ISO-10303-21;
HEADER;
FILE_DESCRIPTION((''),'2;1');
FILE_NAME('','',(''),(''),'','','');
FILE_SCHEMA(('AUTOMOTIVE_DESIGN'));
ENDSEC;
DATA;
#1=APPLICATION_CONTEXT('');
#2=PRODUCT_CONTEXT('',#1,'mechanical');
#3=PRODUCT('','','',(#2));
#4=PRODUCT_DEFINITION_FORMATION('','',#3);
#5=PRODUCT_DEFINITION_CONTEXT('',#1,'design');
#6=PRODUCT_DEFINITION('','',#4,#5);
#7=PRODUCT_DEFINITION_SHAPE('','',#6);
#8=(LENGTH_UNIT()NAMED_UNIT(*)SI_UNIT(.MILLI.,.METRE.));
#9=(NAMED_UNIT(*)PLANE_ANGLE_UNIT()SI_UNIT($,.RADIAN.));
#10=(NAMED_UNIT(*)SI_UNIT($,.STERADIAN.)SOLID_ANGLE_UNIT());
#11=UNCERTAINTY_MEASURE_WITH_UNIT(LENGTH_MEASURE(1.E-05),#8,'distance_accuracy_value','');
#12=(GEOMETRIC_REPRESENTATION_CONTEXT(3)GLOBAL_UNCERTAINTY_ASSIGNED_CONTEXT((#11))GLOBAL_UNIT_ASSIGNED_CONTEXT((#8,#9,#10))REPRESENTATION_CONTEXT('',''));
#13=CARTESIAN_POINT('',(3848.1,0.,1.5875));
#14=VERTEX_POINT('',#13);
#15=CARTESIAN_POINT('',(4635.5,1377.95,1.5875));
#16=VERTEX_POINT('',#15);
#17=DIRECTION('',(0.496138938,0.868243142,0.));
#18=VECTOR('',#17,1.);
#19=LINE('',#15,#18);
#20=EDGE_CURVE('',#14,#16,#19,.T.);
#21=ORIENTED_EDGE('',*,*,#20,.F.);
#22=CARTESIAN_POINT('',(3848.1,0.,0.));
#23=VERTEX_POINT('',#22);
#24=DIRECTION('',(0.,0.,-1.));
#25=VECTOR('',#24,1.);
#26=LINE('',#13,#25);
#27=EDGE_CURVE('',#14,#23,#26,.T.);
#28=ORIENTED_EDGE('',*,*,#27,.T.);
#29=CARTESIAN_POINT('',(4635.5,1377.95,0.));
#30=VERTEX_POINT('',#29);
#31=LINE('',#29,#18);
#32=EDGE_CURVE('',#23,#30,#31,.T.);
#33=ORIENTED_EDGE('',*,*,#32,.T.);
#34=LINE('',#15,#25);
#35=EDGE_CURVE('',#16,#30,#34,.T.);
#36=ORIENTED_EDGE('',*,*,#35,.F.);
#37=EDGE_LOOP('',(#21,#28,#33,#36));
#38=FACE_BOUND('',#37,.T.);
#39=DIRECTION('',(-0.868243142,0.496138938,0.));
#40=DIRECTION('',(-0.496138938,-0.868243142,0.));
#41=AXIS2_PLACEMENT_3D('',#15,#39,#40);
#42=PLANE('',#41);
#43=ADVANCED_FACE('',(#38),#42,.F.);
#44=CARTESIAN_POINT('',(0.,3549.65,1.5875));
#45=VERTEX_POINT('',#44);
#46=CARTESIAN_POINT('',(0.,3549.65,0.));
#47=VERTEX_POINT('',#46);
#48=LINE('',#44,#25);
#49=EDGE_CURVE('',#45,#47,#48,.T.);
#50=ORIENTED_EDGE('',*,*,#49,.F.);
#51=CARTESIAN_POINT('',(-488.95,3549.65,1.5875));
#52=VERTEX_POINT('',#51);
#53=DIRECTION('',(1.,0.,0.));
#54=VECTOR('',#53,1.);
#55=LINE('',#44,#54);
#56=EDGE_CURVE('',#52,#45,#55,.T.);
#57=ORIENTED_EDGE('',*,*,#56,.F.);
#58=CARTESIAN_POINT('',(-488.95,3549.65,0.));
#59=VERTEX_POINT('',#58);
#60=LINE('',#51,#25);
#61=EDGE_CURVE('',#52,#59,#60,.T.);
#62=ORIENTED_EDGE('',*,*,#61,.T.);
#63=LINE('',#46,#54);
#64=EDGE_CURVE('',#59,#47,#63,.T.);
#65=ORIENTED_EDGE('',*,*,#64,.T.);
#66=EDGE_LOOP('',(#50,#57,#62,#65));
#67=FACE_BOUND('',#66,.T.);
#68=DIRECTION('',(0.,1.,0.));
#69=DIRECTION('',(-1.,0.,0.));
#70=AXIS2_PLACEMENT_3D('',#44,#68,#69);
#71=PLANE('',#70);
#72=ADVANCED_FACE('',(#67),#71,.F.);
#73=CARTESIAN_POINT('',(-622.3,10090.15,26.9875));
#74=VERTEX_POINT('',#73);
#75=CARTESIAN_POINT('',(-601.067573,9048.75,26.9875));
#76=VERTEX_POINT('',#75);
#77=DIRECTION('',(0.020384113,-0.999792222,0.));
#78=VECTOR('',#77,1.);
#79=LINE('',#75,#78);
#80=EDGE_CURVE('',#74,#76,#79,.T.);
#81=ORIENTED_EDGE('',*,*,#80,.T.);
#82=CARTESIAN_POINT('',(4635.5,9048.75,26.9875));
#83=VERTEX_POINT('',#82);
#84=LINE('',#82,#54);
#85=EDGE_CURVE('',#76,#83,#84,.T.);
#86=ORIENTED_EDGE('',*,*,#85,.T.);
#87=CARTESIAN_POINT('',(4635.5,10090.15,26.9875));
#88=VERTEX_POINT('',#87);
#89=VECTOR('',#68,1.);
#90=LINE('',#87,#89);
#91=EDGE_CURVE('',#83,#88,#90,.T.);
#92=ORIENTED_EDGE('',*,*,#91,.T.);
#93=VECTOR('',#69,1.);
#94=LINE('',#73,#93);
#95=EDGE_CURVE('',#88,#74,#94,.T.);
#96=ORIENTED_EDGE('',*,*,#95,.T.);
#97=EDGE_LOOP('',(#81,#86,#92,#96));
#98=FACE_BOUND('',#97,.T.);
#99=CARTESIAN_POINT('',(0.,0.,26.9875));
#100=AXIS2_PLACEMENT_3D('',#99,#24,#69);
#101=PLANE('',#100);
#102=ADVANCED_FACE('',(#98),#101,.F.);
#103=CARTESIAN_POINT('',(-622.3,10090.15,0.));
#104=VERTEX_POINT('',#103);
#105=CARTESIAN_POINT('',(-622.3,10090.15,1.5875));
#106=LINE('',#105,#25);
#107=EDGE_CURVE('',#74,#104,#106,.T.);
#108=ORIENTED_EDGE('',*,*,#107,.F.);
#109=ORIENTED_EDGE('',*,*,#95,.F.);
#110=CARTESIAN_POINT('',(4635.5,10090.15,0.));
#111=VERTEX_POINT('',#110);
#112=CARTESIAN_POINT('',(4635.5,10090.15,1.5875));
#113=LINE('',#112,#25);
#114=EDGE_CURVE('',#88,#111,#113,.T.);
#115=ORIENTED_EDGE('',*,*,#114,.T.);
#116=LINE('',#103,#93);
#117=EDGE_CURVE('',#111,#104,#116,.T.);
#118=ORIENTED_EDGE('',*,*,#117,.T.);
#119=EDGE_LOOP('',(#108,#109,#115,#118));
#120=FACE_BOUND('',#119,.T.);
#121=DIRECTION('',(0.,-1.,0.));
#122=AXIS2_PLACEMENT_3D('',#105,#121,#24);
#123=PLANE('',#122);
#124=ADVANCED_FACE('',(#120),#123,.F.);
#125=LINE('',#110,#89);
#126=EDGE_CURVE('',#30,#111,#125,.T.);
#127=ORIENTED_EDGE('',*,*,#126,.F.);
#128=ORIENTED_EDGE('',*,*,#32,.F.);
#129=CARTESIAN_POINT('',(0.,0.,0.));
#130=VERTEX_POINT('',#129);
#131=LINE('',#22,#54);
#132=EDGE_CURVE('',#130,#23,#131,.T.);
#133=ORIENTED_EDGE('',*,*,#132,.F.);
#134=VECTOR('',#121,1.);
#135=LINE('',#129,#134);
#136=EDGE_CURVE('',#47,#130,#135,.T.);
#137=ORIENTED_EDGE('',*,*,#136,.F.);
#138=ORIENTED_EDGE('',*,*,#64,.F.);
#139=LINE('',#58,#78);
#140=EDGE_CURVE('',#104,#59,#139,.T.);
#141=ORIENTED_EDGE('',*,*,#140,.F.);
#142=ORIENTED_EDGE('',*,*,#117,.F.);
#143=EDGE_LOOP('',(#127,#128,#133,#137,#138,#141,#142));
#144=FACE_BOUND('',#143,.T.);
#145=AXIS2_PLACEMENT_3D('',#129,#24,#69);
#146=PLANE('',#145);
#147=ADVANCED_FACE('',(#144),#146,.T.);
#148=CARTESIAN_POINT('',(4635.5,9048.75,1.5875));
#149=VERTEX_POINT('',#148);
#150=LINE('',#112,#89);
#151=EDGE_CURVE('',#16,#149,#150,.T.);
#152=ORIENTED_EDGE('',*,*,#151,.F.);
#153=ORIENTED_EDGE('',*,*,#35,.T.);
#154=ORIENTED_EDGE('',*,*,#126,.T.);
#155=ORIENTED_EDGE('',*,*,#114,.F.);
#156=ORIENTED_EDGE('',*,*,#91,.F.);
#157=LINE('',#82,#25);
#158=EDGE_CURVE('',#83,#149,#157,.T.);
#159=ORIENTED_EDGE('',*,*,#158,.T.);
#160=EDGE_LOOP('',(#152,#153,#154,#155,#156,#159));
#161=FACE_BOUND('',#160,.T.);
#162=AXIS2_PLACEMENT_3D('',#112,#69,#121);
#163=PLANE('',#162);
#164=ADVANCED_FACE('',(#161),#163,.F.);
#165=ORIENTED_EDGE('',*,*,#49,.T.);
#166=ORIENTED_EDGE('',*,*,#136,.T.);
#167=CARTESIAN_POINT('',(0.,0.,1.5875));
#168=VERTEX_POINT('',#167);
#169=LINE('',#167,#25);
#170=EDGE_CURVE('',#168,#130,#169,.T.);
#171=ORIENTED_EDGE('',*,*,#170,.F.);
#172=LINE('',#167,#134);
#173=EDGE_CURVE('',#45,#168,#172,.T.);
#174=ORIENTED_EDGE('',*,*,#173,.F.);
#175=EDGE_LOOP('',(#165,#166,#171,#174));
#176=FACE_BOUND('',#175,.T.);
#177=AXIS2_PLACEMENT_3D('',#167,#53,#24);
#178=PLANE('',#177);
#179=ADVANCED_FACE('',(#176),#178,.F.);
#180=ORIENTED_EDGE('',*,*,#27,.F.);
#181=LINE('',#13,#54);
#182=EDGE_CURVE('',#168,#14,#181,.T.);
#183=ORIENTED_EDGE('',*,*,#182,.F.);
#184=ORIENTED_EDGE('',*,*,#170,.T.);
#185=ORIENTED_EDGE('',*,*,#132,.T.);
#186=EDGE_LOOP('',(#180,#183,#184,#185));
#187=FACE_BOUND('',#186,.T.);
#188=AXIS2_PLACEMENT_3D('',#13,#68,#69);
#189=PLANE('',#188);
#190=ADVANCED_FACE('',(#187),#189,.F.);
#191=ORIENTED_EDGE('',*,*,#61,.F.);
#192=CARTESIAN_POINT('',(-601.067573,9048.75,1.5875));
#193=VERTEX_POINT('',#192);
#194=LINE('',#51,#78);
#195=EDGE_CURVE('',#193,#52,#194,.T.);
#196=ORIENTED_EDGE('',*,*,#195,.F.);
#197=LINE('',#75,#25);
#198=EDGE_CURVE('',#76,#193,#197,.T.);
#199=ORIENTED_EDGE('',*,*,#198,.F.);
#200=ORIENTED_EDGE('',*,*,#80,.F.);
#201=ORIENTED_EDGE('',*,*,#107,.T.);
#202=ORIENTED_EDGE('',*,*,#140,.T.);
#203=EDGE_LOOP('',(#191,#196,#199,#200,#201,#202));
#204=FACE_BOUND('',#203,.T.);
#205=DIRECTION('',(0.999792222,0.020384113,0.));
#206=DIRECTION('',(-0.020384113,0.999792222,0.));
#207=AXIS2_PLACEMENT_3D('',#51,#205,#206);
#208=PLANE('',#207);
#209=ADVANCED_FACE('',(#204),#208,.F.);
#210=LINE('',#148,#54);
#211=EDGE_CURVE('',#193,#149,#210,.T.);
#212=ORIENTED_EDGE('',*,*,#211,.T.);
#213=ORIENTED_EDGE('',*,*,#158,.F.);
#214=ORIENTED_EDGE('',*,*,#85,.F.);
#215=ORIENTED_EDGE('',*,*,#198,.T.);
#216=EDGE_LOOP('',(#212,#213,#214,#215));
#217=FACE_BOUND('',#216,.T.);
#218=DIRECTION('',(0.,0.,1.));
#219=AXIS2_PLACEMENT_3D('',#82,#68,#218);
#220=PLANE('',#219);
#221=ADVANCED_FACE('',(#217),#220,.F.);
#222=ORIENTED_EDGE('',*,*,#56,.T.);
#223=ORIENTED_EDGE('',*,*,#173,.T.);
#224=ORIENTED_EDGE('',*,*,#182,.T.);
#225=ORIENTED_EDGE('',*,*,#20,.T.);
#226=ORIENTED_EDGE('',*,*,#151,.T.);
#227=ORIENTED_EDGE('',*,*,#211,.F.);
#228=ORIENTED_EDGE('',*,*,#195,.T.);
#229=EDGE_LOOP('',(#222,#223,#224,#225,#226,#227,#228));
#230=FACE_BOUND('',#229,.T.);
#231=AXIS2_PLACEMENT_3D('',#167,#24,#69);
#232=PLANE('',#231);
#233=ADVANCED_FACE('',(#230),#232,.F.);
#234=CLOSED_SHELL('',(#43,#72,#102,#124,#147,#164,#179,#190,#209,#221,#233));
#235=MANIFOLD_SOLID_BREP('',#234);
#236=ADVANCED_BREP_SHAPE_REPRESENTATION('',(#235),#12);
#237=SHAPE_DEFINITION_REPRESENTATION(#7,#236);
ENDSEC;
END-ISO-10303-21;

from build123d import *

# Parameters (mm, degrees)
SALIENTE_EXTRUIR1_DEPTH = 1.5875
SALIENTE_EXTRUIR2_DEPTH = 25.4


with BuildPart() as part:
    # Croquis1 → Saliente-Extruir1 (new body)
    with BuildSketch(Plane.XY):
        Polygon((0, 0), (0, 3549.65), (-488.95, 3549.65), (-622.3, 10090.15), (4635.5, 10090.15), (4635.5, 1377.95), (3848.1, 0), align=None)
    extrude(amount=SALIENTE_EXTRUIR1_DEPTH)

    # Croquis2 → Saliente-Extruir2 (add)
    with BuildSketch(Plane.XY.offset(1.5875)):
        Polygon((4635.5, 9048.75), (-601.067572816, 9048.75), (-622.3, 10090.15), (4635.5, 10090.15), align=None)
    extrude(amount=SALIENTE_EXTRUIR2_DEPTH)


solid = part.part
